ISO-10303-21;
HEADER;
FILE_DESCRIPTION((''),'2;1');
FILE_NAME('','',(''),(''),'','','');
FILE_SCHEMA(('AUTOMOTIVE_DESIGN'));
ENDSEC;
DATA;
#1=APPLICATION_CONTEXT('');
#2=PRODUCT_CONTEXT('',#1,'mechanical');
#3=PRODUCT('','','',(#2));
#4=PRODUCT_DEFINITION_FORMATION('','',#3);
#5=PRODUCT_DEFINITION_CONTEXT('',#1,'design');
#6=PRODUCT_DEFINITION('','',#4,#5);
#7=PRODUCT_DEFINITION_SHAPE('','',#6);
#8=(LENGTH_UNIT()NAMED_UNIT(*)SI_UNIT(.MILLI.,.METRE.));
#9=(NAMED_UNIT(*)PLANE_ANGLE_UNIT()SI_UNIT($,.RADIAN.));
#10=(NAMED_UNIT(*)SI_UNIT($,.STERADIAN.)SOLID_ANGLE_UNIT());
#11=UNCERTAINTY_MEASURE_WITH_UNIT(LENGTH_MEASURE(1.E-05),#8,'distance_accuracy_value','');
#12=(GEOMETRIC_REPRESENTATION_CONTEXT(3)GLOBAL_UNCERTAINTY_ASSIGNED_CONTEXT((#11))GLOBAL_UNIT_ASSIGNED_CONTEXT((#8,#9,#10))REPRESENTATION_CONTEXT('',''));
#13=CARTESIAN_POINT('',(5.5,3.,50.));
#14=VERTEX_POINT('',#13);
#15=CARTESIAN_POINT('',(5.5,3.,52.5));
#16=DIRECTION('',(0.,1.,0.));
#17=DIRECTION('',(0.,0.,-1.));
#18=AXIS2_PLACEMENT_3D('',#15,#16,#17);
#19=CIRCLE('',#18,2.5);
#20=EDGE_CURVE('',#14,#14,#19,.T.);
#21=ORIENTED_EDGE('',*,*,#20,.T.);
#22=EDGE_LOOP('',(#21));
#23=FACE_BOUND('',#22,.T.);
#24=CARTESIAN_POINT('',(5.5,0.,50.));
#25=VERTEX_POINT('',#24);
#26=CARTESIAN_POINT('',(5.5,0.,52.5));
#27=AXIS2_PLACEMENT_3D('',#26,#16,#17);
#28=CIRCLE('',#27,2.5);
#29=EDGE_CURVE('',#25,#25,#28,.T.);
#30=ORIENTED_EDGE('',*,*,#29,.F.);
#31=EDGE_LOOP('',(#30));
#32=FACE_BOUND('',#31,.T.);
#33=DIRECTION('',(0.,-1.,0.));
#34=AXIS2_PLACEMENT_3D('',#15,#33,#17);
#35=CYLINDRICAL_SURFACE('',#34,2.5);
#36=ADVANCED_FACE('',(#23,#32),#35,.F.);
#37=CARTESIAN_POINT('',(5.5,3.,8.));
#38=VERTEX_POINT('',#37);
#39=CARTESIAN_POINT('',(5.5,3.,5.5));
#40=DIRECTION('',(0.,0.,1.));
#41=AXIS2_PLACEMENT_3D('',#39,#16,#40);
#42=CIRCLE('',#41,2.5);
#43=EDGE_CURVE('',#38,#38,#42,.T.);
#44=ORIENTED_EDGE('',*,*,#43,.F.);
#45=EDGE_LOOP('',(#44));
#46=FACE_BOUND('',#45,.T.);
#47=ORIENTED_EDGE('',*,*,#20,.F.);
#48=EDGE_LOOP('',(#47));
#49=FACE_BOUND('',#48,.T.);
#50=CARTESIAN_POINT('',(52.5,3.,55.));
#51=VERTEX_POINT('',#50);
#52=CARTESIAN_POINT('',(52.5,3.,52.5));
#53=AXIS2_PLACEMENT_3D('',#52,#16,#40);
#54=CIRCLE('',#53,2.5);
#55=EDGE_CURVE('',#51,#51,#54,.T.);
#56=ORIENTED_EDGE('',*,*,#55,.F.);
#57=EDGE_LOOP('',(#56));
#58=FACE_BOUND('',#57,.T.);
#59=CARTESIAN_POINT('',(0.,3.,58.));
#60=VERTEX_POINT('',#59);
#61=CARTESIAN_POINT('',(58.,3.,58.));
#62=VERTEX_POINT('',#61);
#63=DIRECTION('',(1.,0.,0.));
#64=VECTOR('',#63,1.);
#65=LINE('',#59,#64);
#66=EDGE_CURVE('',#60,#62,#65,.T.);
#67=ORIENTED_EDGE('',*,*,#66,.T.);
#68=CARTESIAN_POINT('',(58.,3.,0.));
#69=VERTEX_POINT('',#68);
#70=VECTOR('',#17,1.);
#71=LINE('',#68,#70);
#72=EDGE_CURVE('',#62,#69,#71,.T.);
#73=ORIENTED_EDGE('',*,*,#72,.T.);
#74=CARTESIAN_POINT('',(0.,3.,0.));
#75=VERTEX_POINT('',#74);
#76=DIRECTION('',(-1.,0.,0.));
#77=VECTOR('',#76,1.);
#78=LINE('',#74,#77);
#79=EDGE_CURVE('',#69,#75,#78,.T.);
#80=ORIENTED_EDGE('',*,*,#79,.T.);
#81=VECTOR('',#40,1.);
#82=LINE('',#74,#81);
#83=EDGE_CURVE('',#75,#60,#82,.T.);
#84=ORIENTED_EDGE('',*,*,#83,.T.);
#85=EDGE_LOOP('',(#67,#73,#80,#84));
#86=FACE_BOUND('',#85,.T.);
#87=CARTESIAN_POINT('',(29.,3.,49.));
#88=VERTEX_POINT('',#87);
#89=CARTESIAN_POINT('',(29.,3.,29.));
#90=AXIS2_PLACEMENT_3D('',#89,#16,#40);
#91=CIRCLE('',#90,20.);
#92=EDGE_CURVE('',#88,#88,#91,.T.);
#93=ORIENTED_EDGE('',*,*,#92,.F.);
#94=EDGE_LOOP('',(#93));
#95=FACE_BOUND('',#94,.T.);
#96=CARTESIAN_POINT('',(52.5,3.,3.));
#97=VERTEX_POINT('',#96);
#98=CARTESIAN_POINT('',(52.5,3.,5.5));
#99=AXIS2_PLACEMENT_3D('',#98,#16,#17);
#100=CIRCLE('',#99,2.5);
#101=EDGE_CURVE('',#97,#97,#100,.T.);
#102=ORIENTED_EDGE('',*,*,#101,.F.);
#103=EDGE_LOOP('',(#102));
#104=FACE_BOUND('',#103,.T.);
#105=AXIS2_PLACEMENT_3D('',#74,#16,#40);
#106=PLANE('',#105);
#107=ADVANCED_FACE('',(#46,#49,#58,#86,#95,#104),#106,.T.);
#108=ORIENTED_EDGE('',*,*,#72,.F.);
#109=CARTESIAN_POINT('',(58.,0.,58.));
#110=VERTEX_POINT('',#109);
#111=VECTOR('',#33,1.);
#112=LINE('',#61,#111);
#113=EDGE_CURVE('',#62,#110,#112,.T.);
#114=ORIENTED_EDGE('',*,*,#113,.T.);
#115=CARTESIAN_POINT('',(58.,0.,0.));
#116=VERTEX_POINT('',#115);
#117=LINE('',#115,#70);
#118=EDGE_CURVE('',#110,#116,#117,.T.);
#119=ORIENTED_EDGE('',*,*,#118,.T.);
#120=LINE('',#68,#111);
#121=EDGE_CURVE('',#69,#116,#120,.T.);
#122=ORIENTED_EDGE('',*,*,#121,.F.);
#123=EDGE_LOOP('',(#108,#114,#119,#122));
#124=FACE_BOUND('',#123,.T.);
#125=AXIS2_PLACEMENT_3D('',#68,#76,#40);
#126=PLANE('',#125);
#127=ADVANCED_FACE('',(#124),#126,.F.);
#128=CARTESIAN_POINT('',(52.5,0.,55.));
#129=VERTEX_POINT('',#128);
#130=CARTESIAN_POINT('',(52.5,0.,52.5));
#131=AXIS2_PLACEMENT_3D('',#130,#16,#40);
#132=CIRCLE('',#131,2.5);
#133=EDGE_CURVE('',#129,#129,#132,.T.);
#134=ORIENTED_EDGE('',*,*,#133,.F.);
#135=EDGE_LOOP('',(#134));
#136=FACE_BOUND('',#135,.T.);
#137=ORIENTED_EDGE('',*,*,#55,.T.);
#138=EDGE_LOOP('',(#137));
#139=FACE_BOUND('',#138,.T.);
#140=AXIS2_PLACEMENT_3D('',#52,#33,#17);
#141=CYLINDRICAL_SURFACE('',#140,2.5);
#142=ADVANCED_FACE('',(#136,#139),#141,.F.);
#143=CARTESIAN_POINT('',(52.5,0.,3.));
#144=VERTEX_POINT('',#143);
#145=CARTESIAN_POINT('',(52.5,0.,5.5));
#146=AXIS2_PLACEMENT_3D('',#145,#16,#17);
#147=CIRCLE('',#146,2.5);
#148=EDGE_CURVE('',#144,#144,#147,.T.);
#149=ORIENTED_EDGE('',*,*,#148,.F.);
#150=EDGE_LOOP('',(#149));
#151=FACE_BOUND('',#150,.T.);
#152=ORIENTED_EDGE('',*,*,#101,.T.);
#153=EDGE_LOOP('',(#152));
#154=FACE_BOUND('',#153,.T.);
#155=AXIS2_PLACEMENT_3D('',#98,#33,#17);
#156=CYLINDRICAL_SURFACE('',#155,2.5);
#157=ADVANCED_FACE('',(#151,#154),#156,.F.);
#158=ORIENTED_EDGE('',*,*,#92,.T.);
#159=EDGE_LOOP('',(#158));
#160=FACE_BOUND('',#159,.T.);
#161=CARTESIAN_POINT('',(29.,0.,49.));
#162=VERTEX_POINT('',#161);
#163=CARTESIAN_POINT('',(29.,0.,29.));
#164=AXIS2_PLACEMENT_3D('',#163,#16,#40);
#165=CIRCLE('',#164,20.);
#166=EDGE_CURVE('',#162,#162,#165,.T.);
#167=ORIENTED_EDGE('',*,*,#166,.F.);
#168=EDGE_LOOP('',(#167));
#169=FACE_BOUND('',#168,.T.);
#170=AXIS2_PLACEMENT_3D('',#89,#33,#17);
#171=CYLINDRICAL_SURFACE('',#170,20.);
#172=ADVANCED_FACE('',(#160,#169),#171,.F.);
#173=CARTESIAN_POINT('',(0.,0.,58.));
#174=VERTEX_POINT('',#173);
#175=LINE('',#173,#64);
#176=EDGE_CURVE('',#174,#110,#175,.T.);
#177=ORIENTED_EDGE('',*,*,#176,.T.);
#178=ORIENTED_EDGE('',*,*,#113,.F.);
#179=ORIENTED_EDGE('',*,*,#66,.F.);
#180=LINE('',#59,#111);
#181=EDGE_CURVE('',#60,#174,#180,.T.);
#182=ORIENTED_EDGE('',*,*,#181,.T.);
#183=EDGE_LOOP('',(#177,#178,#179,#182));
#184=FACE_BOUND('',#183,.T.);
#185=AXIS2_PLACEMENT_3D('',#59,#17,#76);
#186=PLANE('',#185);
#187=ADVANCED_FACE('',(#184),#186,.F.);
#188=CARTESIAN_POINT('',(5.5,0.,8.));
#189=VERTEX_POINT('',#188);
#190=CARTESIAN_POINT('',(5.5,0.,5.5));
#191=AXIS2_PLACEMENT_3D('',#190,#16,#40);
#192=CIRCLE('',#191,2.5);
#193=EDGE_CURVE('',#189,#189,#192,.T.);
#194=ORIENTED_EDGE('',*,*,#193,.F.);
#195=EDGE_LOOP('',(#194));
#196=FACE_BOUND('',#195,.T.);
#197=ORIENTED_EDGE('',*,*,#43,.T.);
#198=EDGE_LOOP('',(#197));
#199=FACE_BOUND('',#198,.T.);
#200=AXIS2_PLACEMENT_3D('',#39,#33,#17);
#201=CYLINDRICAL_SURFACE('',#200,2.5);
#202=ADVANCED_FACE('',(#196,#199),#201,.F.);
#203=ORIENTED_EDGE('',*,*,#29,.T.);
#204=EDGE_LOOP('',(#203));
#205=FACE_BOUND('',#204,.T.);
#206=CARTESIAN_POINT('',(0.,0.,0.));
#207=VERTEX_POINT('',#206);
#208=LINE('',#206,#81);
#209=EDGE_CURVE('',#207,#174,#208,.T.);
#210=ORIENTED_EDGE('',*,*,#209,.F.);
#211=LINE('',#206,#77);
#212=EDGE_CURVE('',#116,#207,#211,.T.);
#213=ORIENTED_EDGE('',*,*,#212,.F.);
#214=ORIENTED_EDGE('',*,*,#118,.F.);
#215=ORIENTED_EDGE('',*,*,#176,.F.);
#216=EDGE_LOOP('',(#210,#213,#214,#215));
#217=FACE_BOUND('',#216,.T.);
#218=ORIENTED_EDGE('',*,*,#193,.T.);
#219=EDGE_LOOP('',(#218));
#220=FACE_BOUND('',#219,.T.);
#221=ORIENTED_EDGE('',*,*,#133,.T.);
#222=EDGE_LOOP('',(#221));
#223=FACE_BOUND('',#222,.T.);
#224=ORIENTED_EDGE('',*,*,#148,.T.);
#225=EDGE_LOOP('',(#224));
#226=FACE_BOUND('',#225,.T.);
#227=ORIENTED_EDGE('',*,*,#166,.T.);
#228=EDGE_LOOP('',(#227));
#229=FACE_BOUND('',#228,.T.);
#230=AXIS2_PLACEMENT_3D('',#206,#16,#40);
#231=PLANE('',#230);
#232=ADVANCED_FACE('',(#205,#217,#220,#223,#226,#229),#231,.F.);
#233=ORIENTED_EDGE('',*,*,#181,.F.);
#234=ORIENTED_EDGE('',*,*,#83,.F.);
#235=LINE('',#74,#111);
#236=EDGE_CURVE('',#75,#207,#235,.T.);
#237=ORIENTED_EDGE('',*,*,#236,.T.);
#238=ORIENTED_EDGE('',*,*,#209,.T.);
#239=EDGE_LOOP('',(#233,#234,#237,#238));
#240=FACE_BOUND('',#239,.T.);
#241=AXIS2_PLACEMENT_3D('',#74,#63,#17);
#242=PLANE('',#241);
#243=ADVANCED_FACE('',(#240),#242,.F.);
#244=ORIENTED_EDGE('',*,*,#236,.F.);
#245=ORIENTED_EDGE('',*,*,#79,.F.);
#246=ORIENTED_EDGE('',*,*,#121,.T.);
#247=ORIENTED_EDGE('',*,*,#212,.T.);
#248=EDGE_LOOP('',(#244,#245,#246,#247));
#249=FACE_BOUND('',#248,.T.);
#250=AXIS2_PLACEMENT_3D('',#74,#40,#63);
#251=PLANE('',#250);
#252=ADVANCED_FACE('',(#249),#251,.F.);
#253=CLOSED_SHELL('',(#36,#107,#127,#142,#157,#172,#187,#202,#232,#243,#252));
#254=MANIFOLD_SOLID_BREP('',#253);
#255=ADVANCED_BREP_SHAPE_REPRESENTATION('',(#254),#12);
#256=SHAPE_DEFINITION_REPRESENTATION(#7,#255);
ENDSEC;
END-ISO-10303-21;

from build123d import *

# Parameters (mm, degrees)
SKETCH1_W           = 58
SKETCH1_H           = 58
SKETCH1_R           = 20
SKETCH1_R_2         = 2.5
BOSS_EXTRUDE1_DEPTH = 3


with BuildPart() as part:
    # Sketch1 → Boss-Extrude1 (new body)
    with BuildSketch(Plane(origin=(0, 0, 0), x_dir=(1, 0, 0), z_dir=(0, 1, 0))):
        with Locations((29, -29)):
            Rectangle(SKETCH1_W, SKETCH1_H)
        with Locations((29, -29)):
            Circle(SKETCH1_R, mode=Mode.SUBTRACT)
        with Locations((5.5, -5.5)):
            Circle(SKETCH1_R_2, mode=Mode.SUBTRACT)
        with Locations((52.5, -5.5)):
            Circle(SKETCH1_R_2, mode=Mode.SUBTRACT)
        with Locations((52.5, -52.5)):
            Circle(SKETCH1_R_2, mode=Mode.SUBTRACT)
        with Locations((5.5, -52.5)):
            Circle(SKETCH1_R_2, mode=Mode.SUBTRACT)
    extrude(amount=BOSS_EXTRUDE1_DEPTH)


solid = part.part
